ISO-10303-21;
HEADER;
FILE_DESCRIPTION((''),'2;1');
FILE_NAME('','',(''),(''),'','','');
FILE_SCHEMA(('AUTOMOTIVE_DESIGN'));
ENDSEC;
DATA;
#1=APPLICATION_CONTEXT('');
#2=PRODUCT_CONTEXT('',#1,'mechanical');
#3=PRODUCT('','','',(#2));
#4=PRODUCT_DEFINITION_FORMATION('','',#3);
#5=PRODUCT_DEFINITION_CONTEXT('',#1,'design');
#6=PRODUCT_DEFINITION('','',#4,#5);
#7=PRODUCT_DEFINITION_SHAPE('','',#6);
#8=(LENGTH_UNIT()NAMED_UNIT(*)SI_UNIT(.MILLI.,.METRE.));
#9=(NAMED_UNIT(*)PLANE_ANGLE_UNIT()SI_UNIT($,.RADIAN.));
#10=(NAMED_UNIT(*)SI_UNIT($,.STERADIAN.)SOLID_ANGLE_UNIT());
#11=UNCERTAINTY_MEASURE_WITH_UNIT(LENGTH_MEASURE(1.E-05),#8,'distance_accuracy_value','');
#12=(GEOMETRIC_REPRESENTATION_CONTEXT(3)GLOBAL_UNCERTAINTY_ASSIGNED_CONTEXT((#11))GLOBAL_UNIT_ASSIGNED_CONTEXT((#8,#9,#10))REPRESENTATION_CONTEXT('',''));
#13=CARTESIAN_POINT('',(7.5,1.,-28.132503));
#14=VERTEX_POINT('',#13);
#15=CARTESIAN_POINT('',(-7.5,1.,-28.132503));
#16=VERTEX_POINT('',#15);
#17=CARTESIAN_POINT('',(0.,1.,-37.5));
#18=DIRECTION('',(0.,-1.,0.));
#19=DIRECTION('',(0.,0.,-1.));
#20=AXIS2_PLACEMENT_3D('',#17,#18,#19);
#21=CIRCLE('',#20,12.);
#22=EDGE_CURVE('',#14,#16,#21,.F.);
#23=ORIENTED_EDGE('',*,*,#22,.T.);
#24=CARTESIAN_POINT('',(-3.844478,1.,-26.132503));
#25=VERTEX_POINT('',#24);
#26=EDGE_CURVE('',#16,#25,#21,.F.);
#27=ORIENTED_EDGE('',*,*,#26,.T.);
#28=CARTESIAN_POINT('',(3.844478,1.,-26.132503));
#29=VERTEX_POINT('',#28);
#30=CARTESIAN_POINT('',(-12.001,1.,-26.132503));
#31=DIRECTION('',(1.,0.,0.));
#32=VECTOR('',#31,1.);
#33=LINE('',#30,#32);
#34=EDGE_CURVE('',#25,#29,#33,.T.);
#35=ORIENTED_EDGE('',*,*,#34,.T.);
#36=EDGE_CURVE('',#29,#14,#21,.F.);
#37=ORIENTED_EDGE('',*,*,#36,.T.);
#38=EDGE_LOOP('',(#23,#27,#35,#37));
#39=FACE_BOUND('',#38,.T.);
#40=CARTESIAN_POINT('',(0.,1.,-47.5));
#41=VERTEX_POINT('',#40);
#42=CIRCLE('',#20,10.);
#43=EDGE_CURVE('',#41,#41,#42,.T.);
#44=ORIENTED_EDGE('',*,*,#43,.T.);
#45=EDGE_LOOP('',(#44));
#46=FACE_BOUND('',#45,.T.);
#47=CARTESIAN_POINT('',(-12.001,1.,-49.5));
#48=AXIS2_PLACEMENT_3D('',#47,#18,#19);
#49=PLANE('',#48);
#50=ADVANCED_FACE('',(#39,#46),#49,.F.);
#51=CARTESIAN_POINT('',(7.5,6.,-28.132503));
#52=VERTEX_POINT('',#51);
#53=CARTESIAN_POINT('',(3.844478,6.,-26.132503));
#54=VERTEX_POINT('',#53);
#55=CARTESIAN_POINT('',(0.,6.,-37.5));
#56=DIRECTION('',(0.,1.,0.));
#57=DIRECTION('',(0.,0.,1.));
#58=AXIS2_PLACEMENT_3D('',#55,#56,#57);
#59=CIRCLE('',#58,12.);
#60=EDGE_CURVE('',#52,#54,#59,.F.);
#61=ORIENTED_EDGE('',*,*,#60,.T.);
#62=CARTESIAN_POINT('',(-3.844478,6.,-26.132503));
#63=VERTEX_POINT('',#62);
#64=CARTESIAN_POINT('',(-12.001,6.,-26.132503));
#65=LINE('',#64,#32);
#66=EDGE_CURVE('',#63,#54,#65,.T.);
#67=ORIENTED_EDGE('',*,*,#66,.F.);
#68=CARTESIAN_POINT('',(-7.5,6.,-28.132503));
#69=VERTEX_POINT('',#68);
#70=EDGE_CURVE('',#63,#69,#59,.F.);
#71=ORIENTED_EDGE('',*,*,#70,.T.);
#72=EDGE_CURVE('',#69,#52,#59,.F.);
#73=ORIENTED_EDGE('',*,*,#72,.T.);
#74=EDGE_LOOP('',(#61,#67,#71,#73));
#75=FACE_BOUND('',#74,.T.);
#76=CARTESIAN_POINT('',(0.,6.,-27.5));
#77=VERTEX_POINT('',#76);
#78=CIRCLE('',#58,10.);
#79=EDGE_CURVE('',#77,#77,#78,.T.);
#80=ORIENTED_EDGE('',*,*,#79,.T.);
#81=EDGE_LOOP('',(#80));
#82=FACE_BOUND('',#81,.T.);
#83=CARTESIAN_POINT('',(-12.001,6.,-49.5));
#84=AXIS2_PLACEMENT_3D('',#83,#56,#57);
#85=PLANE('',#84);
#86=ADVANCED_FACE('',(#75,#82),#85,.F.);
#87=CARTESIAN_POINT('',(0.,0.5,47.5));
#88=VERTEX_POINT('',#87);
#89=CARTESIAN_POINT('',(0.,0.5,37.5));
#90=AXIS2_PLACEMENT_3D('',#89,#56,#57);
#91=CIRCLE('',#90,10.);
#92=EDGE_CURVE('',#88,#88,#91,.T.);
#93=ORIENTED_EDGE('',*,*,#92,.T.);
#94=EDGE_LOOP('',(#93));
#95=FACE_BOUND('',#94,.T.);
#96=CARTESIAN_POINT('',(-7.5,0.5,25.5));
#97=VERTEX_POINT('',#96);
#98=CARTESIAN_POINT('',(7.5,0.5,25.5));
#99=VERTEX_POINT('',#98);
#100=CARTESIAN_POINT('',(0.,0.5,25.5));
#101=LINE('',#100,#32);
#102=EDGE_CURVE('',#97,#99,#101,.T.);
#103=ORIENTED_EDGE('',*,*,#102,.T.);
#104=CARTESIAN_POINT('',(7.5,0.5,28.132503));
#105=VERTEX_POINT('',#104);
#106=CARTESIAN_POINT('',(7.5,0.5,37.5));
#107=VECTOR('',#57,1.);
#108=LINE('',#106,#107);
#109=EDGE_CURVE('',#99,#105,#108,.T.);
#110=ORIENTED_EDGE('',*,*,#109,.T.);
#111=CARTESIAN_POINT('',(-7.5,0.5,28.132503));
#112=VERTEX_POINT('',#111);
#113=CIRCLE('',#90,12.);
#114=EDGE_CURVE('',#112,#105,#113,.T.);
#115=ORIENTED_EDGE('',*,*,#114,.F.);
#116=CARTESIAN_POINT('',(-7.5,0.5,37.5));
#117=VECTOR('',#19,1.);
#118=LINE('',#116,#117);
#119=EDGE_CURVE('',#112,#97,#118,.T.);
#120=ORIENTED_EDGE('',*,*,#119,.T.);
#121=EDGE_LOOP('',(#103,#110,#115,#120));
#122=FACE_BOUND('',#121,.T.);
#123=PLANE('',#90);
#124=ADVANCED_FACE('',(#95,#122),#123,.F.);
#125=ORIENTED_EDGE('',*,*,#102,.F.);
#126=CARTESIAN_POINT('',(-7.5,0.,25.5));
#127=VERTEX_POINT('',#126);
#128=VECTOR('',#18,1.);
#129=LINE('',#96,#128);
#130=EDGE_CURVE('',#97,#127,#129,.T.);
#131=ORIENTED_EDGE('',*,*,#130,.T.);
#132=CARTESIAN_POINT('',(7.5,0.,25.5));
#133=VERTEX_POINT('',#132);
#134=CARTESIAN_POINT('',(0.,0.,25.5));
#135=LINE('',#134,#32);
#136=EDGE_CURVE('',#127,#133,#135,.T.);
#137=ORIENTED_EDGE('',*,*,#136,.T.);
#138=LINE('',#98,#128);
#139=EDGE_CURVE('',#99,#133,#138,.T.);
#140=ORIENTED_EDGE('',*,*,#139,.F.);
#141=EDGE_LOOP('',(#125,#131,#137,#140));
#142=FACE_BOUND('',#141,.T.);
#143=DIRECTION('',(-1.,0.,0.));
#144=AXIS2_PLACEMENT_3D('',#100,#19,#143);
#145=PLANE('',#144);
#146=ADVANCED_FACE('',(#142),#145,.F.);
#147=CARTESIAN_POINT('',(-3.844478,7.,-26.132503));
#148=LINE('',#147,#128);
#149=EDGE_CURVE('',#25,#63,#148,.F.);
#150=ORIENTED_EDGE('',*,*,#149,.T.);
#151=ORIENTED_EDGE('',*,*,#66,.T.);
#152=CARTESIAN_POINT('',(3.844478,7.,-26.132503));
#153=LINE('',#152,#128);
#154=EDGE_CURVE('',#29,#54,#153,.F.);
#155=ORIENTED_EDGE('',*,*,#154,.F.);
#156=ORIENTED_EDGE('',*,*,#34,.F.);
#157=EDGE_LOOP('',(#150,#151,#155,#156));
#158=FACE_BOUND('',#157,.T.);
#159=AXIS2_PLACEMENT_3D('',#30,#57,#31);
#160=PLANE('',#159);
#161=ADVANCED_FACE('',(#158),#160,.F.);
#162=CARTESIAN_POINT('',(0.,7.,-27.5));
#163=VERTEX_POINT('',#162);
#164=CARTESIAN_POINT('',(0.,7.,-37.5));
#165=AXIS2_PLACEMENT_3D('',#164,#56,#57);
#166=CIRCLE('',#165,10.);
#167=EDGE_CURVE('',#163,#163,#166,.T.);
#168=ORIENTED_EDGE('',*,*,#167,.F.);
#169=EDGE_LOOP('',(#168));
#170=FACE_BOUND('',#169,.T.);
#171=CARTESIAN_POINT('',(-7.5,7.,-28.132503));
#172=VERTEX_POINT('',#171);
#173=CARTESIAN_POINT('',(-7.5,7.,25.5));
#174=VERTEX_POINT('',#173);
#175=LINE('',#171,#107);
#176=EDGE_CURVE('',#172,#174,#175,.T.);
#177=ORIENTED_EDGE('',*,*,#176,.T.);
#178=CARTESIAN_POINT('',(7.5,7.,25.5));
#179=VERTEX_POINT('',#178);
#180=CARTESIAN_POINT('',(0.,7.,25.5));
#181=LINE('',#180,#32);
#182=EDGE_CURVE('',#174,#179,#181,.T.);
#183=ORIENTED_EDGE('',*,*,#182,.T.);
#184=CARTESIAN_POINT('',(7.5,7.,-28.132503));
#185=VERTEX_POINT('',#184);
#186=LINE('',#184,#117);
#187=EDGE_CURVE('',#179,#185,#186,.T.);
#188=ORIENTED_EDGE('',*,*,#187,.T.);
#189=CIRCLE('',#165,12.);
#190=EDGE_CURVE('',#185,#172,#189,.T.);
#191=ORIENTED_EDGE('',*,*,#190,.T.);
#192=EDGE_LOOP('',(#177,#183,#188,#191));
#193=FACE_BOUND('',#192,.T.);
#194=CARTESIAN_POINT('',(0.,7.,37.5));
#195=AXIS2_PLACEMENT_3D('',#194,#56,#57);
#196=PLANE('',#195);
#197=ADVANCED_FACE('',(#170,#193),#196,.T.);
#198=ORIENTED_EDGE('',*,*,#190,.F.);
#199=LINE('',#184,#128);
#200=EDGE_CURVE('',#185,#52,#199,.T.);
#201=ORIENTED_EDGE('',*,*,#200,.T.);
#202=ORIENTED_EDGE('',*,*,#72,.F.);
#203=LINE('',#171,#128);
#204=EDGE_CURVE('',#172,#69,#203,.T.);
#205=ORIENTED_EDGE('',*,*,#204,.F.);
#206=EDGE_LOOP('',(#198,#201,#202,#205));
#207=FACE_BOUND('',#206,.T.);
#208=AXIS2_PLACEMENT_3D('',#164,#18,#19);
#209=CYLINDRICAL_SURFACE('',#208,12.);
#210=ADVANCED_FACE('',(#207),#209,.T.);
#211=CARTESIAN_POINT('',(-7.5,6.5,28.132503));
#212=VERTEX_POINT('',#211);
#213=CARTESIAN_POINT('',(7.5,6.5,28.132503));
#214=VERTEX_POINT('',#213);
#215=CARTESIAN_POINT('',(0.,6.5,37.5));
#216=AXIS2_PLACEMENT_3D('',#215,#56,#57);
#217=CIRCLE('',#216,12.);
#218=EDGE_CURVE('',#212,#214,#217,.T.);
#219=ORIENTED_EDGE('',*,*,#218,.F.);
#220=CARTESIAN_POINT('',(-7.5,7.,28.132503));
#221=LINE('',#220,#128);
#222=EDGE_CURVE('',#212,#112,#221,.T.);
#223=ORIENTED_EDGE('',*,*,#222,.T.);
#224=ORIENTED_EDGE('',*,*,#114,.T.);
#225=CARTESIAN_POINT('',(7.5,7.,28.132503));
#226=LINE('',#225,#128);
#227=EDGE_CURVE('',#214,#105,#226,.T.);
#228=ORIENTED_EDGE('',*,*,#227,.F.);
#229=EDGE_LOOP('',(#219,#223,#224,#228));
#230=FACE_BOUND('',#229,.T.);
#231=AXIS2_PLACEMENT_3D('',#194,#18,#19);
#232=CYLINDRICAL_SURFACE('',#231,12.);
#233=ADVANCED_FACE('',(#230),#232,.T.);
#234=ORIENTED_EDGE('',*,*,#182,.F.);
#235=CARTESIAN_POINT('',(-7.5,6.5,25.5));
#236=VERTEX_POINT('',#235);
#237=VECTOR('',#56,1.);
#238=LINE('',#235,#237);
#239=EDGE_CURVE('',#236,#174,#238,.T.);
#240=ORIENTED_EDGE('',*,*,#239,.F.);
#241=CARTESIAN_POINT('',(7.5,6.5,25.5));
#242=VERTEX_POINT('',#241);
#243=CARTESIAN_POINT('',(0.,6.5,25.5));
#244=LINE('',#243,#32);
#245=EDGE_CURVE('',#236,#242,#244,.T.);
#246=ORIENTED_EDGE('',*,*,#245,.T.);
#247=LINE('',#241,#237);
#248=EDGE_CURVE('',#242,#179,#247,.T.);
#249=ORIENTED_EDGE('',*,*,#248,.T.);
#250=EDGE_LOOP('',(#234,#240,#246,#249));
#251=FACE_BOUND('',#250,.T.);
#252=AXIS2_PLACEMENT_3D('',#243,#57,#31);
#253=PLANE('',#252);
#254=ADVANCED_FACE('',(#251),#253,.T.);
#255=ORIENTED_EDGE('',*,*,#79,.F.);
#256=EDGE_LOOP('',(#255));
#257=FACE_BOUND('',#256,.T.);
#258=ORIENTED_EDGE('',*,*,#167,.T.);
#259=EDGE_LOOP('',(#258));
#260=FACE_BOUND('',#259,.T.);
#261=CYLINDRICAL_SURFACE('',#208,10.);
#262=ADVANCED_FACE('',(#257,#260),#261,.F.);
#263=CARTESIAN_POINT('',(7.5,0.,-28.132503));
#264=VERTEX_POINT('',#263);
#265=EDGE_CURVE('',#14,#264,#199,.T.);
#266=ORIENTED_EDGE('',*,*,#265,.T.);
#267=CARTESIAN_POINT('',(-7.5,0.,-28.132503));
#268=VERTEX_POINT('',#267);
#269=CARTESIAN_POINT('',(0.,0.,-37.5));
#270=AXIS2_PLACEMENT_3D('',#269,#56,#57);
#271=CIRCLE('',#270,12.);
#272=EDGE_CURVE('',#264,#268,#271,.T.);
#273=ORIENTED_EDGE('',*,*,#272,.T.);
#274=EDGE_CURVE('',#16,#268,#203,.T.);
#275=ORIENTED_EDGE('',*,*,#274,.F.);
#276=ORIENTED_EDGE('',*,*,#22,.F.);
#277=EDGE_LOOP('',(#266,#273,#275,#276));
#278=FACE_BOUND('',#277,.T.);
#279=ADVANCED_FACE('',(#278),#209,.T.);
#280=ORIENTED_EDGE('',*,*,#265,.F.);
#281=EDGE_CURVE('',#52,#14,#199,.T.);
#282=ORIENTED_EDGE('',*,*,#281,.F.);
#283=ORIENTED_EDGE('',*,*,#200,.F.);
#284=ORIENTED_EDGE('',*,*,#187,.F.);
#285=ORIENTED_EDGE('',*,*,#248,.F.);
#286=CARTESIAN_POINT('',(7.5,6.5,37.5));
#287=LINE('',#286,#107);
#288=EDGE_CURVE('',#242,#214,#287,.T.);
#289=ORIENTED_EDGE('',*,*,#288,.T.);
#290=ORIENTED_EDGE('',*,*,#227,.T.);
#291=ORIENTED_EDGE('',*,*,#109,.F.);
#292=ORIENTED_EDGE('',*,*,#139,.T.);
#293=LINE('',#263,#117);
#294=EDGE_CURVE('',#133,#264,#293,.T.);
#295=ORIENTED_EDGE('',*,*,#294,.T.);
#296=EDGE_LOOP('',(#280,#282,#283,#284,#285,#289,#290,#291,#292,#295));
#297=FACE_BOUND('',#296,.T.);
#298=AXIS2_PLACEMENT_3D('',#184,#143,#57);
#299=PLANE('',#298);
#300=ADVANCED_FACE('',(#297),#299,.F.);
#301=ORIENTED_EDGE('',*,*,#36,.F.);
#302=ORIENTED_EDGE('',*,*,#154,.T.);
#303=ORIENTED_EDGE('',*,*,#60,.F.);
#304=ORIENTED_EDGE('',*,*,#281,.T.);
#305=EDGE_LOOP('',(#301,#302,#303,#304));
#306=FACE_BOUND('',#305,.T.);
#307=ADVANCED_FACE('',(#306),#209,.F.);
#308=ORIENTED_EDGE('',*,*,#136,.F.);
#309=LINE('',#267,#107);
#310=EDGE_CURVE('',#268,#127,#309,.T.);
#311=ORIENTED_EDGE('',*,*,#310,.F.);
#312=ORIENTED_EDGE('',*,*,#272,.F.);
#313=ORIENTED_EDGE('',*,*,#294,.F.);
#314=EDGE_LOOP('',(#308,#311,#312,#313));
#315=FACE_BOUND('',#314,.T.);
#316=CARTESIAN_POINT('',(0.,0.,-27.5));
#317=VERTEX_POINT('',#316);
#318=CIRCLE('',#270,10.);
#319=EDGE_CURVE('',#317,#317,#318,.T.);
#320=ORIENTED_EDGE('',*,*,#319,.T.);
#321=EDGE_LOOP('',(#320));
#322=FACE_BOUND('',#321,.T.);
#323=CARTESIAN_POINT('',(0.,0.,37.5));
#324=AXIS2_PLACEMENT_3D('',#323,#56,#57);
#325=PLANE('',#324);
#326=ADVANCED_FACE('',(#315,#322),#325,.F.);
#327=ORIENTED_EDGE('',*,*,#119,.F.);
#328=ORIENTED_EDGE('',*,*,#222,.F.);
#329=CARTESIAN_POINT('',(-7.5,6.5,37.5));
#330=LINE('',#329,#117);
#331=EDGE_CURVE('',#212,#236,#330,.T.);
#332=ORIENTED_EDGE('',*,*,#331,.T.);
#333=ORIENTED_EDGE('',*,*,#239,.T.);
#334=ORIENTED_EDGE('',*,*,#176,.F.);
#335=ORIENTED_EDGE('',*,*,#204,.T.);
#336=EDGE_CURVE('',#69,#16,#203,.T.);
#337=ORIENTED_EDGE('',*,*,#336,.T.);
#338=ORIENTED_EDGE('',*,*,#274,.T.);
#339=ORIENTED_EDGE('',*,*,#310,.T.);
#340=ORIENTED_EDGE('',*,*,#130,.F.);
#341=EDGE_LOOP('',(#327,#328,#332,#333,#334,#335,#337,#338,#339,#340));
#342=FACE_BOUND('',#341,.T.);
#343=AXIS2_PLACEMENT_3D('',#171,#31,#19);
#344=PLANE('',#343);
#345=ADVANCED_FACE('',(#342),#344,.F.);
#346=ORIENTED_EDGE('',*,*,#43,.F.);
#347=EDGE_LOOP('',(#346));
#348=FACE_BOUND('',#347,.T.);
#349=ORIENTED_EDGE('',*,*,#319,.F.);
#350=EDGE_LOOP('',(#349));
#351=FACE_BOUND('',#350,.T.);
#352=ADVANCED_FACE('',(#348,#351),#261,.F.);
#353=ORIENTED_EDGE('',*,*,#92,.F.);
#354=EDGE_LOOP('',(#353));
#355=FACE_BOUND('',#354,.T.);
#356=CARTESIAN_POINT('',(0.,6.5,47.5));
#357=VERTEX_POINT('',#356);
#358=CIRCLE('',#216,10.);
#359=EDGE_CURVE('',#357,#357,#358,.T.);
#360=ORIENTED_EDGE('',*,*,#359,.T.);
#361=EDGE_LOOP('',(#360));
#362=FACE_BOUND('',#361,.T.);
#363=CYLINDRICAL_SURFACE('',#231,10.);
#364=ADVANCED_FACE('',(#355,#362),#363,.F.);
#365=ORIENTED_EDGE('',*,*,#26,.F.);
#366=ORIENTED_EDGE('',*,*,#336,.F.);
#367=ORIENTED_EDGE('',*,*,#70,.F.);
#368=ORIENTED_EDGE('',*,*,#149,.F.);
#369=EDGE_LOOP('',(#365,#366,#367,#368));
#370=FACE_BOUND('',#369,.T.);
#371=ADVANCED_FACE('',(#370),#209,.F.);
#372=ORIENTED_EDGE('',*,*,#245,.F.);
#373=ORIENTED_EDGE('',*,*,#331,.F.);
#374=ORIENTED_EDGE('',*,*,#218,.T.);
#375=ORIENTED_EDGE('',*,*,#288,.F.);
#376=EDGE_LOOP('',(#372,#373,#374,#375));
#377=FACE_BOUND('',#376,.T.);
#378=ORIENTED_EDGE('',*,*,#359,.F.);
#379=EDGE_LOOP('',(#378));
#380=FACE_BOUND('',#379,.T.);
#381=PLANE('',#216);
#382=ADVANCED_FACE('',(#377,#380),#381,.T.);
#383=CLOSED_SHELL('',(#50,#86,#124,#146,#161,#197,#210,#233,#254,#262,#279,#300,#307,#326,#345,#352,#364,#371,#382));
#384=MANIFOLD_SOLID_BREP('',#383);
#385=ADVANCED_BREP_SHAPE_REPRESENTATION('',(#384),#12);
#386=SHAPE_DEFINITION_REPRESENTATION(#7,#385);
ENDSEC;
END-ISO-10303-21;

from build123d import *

# Parameters (mm, degrees)
PROFILE_SKETCH_R                  = 10
PROFILE_EXTRUDE_DEPTH             = 7
UPPER_WRIST_CUT_DEPTH             = 0.5
LOWER_START                       = 6.5
LOWER_WRIST_CUT_DEPTH             = 0.5
FINGER_CUT_REACH                  = 53.413
FINGER_CUT_END_RADIUS             = 12
FINGER_CUT_SKETCH_W               = 23.367496998
FINGER_CUT_SKETCH_H               = 5
FINGER_CUT_DIRECTION_2_REACH      = 53.413
FINGER_CUT_DIRECTION_2_END_RADIUS = 12


with BuildPart() as part:
    # Profile Sketch → Profile Extrude (new body)
    with BuildSketch(Plane(origin=(0, 0, 0), x_dir=(1, 0, 0), z_dir=(0, 1, 0))):
        with BuildLine():
            Line((-7.5, 28.132503002), (-7.5, -28.132503002))
            ThreePointArc((-7.5, -28.132503002), (0, -49.5), (7.5, -28.132503002))
            Line((7.5, -28.132503002), (7.5, 28.132503002))
            ThreePointArc((7.5, 28.132503002), (0, 49.5), (-7.5, 28.132503002))
        make_face()
        with Locations(Location((0, -37.5, 0), (0, 0, 270))):
            Circle(PROFILE_SKETCH_R, mode=Mode.SUBTRACT)
        with Locations(Location((0, 37.5, 0), (0, 0, 270))):
            Circle(PROFILE_SKETCH_R, mode=Mode.SUBTRACT)
    extrude(amount=PROFILE_EXTRUDE_DEPTH)

    # Wrist Cut Sketch → Upper Wrist Cut (cut)
    with BuildSketch(Plane(origin=(0, 0, 0), x_dir=(1, 0, 0), z_dir=(0, 1, 0))):
        with BuildLine():
            Line((-7.5, -28.132503002), (-7.5, -25.5))
            Line((-7.5, -25.5), (7.5, -25.5))
            Line((7.5, -25.5), (7.5, -28.132503002))
            ThreePointArc((7.5, -28.132503002), (0, -49.5), (-7.5, -28.132503002))
        make_face()
    extrude(amount=UPPER_WRIST_CUT_DEPTH, mode=Mode.SUBTRACT)

    # Sketch2<2> → Lower Wrist Cut (cut)
    with BuildSketch(Plane(origin=(0, 0, 0), x_dir=(1, 0, 0), z_dir=(0, 1, 0)).offset(LOWER_START)):
        with BuildLine():
            Line((-7.5, -28.132503002), (-7.5, -25.5))
            Line((-7.5, -25.5), (7.5, -25.5))
            Line((7.5, -25.5), (7.5, -28.132503002))
            ThreePointArc((7.5, -28.132503002), (0, -49.5), (-7.5, -28.132503002))
        make_face()
    extrude(amount=LOWER_WRIST_CUT_DEPTH, mode=Mode.SUBTRACT)

    # Finger Cut: up to this cylinder (the profile starts inside it)
    finger_cut_end = Plane(origin=(0, 3.5, -37.5), z_dir=(0, -1, 0)) * Cylinder(FINGER_CUT_END_RADIUS, 131.826, mode=Mode.PRIVATE)
    # Finger Cut Sketch → Finger Cut (cut, up to the surface)
    with BuildSketch(Plane(origin=(0, 0, 0), x_dir=(0, 0, -1), z_dir=(1, 0, 0)), mode=Mode.PRIVATE) as finger_cut_sk1:
        with Locations((37.816251501, 3.5)):
            Rectangle(FINGER_CUT_SKETCH_W, FINGER_CUT_SKETCH_H)
    finger_cut_tool1 = extrude(finger_cut_sk1.sketch, amount=-FINGER_CUT_REACH, mode=Mode.PRIVATE) & finger_cut_end
    add(finger_cut_tool1.solids().sort_by_distance((0, 3.5, -37.816252))[0], mode=Mode.SUBTRACT)

    # Finger Cut direction 2: up to this cylinder (the profile starts inside it)
    finger_cut_direction_2_end = Plane(origin=(0, 3.5, -37.5), z_dir=(0, -1, 0)) * Cylinder(FINGER_CUT_DIRECTION_2_END_RADIUS, 131.826, mode=Mode.PRIVATE)
    # Finger Cut Sketch → Finger Cut direction 2 (cut, up to the surface)
    with BuildSketch(Plane(origin=(0, 0, 0), x_dir=(0, 0, -1), z_dir=(1, 0, 0)), mode=Mode.PRIVATE) as finger_cut_direction_2_sk1:
        with Locations((37.816251501, 3.5)):
            Rectangle(FINGER_CUT_SKETCH_W, FINGER_CUT_SKETCH_H)
    finger_cut_direction_2_tool1 = extrude(finger_cut_direction_2_sk1.sketch, amount=FINGER_CUT_DIRECTION_2_REACH, mode=Mode.PRIVATE) & finger_cut_direction_2_end
    add(finger_cut_direction_2_tool1.solids().sort_by_distance((0, 3.5, -37.816252))[0], mode=Mode.SUBTRACT)


solid = part.part
